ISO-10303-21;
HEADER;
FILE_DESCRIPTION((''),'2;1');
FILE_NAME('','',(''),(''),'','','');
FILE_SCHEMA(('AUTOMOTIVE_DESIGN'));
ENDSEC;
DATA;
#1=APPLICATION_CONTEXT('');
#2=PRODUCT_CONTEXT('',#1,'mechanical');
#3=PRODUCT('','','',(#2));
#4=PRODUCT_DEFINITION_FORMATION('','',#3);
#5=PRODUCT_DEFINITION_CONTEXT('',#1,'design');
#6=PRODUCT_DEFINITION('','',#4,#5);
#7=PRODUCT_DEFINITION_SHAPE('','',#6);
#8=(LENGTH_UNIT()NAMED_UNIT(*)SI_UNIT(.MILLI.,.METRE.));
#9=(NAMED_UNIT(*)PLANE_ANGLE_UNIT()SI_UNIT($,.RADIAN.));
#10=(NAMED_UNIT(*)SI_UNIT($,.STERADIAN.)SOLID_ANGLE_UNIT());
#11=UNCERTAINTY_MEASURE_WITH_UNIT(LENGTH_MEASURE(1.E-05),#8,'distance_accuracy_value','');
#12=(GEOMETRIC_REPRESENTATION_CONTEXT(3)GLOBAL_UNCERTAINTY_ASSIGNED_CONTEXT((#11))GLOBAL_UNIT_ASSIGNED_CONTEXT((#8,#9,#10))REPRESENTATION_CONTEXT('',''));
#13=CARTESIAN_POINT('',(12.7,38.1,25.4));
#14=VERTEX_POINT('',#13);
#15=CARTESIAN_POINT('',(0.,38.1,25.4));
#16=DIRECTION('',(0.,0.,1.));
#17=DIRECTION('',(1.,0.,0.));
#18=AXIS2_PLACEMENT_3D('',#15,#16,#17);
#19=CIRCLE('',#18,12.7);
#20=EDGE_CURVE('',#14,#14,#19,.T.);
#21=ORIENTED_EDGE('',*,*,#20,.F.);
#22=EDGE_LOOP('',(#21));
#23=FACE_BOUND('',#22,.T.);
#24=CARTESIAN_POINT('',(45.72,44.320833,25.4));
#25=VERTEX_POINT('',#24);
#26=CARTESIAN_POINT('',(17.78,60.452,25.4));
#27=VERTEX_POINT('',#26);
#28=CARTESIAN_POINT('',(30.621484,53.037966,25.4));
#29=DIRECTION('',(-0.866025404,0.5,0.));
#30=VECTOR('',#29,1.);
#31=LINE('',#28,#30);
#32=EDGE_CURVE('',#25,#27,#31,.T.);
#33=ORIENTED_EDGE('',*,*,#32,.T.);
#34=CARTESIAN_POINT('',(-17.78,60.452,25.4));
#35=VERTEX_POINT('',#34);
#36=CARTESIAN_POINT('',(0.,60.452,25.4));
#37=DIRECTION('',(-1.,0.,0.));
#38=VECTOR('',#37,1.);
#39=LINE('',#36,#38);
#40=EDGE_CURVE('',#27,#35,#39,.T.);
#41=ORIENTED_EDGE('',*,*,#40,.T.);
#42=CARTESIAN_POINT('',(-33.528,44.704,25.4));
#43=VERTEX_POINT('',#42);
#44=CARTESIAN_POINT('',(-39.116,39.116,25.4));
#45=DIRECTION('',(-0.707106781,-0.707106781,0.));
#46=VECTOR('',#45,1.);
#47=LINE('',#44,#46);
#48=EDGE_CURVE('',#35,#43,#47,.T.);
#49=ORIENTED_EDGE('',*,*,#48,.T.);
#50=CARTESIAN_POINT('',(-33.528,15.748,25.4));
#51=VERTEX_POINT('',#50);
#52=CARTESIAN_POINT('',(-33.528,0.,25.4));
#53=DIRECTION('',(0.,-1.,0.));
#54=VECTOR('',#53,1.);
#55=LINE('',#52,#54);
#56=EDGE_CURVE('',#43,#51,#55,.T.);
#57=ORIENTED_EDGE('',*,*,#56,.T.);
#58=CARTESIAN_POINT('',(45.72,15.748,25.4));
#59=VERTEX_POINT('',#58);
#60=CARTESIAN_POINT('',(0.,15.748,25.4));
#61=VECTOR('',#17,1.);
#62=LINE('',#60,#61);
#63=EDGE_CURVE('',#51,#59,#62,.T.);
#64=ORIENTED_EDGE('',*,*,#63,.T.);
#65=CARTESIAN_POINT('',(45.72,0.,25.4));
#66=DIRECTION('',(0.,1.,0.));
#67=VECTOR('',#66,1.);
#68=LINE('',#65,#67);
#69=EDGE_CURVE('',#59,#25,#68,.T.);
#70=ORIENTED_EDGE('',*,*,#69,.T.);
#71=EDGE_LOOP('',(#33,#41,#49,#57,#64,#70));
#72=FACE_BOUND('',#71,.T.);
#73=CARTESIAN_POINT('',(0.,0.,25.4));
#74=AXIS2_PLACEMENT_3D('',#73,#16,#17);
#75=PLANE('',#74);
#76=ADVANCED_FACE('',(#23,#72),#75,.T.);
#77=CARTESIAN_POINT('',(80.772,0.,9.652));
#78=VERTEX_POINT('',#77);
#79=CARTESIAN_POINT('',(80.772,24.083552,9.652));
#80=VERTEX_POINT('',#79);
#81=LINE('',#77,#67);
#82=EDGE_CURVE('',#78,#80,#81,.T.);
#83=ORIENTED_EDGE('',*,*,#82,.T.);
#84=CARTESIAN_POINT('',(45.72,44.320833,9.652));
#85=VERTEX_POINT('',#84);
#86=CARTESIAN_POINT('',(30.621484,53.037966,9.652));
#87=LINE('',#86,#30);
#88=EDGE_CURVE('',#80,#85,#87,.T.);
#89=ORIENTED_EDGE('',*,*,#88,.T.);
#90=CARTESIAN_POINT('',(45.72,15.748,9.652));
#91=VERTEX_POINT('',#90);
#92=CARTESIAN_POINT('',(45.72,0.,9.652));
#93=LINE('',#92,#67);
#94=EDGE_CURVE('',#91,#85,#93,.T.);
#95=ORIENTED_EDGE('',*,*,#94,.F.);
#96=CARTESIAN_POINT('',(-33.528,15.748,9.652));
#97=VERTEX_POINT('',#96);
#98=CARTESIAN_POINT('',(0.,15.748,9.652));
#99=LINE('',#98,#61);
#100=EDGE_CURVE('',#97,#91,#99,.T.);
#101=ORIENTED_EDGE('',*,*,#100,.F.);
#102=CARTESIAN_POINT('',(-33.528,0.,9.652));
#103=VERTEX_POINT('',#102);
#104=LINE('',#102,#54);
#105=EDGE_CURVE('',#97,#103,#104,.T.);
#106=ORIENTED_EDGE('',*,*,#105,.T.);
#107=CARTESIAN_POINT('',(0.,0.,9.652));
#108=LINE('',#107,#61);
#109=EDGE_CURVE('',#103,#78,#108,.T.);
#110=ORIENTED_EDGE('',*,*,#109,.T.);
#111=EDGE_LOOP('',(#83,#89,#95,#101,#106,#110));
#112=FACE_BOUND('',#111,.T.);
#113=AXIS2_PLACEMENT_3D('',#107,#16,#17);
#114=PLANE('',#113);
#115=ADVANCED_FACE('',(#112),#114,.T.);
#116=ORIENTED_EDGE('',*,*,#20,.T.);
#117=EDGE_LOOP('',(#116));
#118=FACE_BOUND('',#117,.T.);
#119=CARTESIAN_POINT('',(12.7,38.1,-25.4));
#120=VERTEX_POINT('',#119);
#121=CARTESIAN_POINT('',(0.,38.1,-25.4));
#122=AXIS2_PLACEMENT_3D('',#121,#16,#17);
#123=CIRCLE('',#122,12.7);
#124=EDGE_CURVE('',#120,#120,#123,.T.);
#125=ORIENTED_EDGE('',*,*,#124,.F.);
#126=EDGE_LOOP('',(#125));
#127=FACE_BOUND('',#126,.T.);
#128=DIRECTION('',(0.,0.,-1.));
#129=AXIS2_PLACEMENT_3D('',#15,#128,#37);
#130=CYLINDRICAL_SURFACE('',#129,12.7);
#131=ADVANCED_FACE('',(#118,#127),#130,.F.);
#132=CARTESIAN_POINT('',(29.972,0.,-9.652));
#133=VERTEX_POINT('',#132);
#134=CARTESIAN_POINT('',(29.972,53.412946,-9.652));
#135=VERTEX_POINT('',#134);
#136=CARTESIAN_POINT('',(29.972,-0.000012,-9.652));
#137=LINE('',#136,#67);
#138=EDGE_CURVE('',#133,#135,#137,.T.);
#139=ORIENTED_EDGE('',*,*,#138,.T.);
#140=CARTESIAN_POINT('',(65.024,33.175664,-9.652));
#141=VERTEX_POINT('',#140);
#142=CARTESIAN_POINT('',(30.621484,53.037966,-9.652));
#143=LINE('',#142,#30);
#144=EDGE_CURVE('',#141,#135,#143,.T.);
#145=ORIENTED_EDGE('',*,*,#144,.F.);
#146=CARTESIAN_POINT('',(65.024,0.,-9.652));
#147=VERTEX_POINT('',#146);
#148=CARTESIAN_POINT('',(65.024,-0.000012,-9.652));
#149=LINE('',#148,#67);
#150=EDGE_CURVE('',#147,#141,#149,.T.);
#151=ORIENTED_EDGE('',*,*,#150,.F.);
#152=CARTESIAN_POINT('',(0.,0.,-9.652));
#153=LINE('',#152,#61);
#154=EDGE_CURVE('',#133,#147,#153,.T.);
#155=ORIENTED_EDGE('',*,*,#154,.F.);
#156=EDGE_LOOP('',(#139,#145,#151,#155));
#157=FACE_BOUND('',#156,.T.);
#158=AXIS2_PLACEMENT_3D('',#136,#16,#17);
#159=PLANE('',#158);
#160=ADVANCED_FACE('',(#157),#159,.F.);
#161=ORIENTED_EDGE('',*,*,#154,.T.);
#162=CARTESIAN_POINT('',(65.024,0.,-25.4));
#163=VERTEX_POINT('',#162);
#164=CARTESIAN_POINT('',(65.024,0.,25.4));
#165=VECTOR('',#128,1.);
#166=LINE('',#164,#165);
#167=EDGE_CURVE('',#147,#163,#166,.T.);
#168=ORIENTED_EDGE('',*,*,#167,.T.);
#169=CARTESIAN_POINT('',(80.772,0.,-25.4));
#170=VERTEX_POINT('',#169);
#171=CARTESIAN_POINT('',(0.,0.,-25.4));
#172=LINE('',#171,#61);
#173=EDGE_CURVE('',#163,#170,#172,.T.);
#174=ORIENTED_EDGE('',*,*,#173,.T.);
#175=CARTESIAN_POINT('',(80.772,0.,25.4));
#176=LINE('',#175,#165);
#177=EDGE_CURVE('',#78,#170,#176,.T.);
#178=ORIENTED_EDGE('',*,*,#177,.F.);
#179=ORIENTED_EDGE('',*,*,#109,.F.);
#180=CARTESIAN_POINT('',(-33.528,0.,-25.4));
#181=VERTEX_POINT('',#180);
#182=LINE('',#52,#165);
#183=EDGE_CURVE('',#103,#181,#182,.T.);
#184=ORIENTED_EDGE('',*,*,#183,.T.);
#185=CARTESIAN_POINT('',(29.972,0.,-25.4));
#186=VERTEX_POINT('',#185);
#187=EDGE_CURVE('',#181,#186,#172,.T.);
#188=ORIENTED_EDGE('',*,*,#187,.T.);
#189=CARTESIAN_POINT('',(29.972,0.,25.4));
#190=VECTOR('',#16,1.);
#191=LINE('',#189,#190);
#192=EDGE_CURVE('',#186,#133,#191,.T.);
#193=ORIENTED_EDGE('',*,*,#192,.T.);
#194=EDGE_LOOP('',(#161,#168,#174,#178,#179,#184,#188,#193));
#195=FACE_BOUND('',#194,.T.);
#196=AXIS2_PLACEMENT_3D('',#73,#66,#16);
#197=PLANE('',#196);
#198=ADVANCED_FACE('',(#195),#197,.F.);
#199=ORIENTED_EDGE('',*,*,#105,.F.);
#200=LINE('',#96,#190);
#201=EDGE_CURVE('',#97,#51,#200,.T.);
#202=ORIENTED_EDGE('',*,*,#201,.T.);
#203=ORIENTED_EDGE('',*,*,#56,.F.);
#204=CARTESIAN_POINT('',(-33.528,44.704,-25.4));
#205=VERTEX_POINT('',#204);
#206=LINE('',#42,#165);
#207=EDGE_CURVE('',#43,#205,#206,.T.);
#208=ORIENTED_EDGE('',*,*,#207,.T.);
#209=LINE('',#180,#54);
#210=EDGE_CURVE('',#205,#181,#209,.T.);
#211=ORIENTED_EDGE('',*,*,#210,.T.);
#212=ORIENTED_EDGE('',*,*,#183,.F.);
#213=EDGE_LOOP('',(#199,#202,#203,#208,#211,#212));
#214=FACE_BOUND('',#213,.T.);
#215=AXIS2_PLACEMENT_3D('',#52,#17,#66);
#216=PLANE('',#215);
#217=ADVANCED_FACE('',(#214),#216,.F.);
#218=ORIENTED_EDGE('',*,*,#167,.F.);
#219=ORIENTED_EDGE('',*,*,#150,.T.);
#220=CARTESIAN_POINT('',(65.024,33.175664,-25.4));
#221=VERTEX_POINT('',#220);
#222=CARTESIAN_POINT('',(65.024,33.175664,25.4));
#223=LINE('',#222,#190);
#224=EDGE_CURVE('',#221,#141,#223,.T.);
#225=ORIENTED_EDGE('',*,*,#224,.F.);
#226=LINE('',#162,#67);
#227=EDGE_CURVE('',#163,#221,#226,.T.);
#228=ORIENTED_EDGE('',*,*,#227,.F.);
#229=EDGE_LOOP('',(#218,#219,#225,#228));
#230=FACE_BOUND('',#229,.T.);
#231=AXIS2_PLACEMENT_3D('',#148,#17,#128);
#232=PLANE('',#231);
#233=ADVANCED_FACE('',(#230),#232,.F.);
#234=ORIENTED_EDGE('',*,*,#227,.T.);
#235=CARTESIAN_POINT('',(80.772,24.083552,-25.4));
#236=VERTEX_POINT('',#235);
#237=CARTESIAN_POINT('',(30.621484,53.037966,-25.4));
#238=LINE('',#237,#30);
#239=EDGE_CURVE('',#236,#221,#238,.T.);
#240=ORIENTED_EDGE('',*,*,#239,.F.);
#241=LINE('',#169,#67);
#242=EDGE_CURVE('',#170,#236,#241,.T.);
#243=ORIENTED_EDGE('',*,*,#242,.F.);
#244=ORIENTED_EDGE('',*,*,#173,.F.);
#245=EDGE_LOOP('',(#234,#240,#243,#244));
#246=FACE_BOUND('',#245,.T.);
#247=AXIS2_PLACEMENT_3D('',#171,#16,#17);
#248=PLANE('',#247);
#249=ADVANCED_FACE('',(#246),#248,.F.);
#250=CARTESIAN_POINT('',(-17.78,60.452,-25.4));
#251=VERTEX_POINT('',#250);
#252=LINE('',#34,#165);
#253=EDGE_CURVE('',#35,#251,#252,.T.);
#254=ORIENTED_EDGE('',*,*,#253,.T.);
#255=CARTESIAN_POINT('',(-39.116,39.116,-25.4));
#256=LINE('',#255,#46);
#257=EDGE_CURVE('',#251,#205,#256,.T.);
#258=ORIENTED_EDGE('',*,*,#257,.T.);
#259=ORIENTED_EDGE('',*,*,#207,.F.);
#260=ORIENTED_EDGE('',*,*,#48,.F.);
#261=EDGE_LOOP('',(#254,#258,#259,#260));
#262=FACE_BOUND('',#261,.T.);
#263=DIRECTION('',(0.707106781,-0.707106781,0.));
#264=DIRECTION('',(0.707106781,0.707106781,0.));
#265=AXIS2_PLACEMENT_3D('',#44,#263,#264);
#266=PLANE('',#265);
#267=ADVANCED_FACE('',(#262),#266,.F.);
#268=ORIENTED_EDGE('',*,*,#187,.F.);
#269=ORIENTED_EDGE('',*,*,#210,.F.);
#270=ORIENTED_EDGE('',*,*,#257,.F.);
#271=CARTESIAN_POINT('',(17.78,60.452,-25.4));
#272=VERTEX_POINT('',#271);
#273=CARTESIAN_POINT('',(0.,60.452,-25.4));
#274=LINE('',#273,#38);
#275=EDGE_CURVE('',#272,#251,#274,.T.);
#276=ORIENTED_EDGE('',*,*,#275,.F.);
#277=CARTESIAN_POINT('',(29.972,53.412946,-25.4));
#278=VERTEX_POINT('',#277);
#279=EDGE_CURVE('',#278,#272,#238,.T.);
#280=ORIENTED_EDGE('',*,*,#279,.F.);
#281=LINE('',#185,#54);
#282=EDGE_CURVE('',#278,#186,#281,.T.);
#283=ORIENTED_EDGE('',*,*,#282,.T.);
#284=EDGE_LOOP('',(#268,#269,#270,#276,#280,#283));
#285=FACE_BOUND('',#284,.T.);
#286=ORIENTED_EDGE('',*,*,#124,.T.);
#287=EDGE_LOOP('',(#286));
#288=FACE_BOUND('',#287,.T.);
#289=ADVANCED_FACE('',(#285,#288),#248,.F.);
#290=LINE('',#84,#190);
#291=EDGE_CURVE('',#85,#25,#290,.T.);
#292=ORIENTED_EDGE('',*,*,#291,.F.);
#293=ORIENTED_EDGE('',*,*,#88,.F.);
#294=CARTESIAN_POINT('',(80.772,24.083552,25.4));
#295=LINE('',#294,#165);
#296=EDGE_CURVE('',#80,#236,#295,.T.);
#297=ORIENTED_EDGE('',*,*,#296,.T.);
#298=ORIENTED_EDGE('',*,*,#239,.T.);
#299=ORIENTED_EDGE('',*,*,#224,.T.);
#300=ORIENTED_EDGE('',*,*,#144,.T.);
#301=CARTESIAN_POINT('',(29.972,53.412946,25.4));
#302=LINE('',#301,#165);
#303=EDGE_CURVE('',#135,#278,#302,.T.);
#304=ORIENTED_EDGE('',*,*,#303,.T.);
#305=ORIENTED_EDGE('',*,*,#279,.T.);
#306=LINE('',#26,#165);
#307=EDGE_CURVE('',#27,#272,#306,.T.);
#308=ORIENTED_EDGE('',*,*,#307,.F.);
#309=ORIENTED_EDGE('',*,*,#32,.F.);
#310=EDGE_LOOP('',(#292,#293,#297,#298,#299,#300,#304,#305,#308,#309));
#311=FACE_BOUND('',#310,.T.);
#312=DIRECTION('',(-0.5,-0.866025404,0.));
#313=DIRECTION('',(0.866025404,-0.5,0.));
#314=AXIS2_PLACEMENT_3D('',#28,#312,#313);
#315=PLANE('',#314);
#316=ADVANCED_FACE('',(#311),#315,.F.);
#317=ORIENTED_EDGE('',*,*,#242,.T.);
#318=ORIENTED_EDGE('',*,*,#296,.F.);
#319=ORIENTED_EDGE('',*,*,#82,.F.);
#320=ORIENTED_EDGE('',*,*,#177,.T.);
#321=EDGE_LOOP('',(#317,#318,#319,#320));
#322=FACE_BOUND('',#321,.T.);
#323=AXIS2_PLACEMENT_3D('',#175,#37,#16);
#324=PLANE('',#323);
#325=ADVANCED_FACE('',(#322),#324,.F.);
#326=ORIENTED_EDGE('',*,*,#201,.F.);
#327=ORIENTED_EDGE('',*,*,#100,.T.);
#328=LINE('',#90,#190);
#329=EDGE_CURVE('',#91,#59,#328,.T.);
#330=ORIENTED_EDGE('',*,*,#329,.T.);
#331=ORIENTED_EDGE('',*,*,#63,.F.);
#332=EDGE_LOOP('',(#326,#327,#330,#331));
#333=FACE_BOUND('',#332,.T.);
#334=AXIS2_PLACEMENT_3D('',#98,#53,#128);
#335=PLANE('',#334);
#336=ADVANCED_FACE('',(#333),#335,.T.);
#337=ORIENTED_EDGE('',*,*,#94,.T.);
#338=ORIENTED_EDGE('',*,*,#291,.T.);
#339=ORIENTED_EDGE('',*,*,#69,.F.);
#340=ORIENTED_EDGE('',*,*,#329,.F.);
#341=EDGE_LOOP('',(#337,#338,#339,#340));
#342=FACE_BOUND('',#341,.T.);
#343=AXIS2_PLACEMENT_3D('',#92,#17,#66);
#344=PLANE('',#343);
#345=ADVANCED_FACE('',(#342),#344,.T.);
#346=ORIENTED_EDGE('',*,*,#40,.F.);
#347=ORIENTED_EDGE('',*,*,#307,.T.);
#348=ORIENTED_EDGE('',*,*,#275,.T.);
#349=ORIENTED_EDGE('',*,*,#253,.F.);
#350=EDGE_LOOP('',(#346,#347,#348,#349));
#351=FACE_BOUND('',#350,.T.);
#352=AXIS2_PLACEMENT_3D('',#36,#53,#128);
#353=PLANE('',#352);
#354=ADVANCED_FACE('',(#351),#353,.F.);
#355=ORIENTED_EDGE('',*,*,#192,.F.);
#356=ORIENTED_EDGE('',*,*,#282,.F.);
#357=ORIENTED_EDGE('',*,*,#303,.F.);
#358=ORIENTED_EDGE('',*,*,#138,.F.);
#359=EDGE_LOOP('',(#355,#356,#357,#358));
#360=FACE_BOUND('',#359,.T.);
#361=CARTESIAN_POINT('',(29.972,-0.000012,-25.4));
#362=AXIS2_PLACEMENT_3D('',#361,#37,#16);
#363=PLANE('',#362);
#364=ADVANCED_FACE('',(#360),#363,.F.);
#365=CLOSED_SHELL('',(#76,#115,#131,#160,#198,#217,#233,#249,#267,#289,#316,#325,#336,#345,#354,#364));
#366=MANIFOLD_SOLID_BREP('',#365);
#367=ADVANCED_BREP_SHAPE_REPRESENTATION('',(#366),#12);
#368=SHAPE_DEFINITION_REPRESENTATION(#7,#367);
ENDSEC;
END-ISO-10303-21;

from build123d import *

# Parameters (mm, degrees)
SKETCH1_R               = 12.7
BOSS_EXTRUDE1_DEPTH     = 25.4
CUT_EXTRUDE1_START      = 25.4
CUT_EXTRUDE1_DEPTH      = 15.748
SKETCH2_W               = 35.052
SKETCH2_H               = 15.748
CUT_EXTRUDE2_DEPTH      = 61.452
CUT_EXTRUDE2_DEPTH_BACK = 1


with BuildPart() as part:
    # Sketch1 → Boss-Extrude1 (new body, symmetric)
    with BuildSketch(Plane.XY):
        Polygon((-33.528, 44.704), (-33.528, 15.748), (45.72, 15.748), (45.72, 44.320833479), (17.78, 60.452), (-17.78, 60.452), align=None)
        with Locations((0, 38.1)):
            Circle(SKETCH1_R, mode=Mode.SUBTRACT)
        Polygon((-33.528, 15.748), (-33.528, 0), (80.772, 0), (80.772, 24.083551843), (45.72, 44.320833479), (45.72, 15.748), align=None)
    extrude(amount=BOSS_EXTRUDE1_DEPTH, both=True)

    # Sketch1<4> → Cut-Extrude1 (cut)
    with BuildSketch(Plane.XY.offset(CUT_EXTRUDE1_START)):
        Polygon((-33.528, 15.748), (-33.528, 0), (80.772, 0), (80.772, 24.083551843), (45.72, 44.320833479), (45.72, 15.748), align=None)
    extrude(amount=-CUT_EXTRUDE1_DEPTH, mode=Mode.SUBTRACT)

    # Sketch2 → Cut-Extrude2 (cut, two sides)
    with BuildSketch(Plane(origin=(0, 0, 0), x_dir=(1, 0, 0), z_dir=(0, 1, 0))) as cut_extrude2_sk:
        with Locations((47.498, 17.526)):
            Rectangle(SKETCH2_W, SKETCH2_H)
    extrude(amount=CUT_EXTRUDE2_DEPTH, mode=Mode.SUBTRACT)
    extrude(cut_extrude2_sk.sketch, amount=-CUT_EXTRUDE2_DEPTH_BACK, mode=Mode.SUBTRACT)


solid = part.part
